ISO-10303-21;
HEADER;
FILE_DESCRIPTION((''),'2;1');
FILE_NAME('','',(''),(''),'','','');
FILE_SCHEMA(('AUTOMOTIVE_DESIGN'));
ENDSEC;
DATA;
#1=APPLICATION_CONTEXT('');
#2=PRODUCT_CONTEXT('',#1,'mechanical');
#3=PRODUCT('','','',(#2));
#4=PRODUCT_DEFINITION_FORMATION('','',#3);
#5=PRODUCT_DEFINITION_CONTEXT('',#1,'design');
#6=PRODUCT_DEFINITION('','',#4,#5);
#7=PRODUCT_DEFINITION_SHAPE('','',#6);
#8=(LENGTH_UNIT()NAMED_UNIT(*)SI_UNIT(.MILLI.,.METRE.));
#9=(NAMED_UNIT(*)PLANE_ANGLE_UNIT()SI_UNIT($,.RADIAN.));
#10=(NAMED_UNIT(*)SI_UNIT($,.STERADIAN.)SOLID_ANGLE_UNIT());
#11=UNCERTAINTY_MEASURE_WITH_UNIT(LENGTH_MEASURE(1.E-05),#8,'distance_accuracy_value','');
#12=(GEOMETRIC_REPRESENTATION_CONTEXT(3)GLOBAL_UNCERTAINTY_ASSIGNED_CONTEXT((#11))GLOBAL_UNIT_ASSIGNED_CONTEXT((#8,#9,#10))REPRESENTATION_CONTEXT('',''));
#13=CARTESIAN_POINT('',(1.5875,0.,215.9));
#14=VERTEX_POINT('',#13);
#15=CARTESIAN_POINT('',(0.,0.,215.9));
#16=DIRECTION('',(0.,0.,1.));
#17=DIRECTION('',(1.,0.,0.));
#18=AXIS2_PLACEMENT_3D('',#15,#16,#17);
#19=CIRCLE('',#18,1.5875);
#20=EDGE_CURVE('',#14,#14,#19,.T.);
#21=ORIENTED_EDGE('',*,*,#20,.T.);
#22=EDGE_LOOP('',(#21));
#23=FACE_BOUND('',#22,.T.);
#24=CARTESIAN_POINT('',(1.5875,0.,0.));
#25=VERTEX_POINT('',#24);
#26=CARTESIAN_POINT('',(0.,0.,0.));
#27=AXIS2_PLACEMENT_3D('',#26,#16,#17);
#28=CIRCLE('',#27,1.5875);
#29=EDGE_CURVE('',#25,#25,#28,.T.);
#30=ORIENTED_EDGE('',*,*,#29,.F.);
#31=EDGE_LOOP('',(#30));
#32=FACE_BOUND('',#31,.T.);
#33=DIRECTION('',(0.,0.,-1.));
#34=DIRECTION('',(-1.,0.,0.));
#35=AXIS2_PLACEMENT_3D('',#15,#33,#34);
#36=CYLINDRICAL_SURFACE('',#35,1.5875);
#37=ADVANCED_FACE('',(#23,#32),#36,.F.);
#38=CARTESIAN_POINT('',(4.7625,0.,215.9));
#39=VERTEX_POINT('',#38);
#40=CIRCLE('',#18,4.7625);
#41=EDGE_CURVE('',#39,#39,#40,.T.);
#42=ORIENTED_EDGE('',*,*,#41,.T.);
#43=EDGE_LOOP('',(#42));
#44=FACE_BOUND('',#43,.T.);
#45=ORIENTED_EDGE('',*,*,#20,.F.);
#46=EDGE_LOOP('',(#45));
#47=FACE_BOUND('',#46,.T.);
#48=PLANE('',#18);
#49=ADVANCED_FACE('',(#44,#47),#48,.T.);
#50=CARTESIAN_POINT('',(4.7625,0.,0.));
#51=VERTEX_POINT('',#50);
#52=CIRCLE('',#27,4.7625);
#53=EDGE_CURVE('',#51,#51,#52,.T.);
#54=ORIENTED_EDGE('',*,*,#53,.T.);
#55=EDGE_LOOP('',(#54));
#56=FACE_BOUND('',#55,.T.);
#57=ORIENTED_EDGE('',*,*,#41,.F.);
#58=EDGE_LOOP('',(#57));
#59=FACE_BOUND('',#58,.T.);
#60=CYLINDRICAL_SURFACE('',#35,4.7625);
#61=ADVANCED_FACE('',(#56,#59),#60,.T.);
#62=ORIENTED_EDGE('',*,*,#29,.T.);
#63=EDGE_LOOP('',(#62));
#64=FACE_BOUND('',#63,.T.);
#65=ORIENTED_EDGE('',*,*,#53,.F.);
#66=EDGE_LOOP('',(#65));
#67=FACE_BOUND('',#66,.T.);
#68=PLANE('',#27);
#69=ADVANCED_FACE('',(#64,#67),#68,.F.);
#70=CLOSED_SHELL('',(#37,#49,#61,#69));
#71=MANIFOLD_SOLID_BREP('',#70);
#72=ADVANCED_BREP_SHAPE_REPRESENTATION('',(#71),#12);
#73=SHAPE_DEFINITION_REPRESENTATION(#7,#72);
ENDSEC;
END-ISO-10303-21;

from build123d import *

# Parameters (mm, degrees)
SKETCH1_R           = 4.7625
SKETCH1_R_2         = 1.5875
BOSS_EXTRUDE1_DEPTH = 215.9


with BuildPart() as part:
    # Sketch1 → Boss-Extrude1 (new body)
    with BuildSketch(Plane.XY):
        Circle(SKETCH1_R)
        Circle(SKETCH1_R_2, mode=Mode.SUBTRACT)
    extrude(amount=BOSS_EXTRUDE1_DEPTH)


solid = part.part
